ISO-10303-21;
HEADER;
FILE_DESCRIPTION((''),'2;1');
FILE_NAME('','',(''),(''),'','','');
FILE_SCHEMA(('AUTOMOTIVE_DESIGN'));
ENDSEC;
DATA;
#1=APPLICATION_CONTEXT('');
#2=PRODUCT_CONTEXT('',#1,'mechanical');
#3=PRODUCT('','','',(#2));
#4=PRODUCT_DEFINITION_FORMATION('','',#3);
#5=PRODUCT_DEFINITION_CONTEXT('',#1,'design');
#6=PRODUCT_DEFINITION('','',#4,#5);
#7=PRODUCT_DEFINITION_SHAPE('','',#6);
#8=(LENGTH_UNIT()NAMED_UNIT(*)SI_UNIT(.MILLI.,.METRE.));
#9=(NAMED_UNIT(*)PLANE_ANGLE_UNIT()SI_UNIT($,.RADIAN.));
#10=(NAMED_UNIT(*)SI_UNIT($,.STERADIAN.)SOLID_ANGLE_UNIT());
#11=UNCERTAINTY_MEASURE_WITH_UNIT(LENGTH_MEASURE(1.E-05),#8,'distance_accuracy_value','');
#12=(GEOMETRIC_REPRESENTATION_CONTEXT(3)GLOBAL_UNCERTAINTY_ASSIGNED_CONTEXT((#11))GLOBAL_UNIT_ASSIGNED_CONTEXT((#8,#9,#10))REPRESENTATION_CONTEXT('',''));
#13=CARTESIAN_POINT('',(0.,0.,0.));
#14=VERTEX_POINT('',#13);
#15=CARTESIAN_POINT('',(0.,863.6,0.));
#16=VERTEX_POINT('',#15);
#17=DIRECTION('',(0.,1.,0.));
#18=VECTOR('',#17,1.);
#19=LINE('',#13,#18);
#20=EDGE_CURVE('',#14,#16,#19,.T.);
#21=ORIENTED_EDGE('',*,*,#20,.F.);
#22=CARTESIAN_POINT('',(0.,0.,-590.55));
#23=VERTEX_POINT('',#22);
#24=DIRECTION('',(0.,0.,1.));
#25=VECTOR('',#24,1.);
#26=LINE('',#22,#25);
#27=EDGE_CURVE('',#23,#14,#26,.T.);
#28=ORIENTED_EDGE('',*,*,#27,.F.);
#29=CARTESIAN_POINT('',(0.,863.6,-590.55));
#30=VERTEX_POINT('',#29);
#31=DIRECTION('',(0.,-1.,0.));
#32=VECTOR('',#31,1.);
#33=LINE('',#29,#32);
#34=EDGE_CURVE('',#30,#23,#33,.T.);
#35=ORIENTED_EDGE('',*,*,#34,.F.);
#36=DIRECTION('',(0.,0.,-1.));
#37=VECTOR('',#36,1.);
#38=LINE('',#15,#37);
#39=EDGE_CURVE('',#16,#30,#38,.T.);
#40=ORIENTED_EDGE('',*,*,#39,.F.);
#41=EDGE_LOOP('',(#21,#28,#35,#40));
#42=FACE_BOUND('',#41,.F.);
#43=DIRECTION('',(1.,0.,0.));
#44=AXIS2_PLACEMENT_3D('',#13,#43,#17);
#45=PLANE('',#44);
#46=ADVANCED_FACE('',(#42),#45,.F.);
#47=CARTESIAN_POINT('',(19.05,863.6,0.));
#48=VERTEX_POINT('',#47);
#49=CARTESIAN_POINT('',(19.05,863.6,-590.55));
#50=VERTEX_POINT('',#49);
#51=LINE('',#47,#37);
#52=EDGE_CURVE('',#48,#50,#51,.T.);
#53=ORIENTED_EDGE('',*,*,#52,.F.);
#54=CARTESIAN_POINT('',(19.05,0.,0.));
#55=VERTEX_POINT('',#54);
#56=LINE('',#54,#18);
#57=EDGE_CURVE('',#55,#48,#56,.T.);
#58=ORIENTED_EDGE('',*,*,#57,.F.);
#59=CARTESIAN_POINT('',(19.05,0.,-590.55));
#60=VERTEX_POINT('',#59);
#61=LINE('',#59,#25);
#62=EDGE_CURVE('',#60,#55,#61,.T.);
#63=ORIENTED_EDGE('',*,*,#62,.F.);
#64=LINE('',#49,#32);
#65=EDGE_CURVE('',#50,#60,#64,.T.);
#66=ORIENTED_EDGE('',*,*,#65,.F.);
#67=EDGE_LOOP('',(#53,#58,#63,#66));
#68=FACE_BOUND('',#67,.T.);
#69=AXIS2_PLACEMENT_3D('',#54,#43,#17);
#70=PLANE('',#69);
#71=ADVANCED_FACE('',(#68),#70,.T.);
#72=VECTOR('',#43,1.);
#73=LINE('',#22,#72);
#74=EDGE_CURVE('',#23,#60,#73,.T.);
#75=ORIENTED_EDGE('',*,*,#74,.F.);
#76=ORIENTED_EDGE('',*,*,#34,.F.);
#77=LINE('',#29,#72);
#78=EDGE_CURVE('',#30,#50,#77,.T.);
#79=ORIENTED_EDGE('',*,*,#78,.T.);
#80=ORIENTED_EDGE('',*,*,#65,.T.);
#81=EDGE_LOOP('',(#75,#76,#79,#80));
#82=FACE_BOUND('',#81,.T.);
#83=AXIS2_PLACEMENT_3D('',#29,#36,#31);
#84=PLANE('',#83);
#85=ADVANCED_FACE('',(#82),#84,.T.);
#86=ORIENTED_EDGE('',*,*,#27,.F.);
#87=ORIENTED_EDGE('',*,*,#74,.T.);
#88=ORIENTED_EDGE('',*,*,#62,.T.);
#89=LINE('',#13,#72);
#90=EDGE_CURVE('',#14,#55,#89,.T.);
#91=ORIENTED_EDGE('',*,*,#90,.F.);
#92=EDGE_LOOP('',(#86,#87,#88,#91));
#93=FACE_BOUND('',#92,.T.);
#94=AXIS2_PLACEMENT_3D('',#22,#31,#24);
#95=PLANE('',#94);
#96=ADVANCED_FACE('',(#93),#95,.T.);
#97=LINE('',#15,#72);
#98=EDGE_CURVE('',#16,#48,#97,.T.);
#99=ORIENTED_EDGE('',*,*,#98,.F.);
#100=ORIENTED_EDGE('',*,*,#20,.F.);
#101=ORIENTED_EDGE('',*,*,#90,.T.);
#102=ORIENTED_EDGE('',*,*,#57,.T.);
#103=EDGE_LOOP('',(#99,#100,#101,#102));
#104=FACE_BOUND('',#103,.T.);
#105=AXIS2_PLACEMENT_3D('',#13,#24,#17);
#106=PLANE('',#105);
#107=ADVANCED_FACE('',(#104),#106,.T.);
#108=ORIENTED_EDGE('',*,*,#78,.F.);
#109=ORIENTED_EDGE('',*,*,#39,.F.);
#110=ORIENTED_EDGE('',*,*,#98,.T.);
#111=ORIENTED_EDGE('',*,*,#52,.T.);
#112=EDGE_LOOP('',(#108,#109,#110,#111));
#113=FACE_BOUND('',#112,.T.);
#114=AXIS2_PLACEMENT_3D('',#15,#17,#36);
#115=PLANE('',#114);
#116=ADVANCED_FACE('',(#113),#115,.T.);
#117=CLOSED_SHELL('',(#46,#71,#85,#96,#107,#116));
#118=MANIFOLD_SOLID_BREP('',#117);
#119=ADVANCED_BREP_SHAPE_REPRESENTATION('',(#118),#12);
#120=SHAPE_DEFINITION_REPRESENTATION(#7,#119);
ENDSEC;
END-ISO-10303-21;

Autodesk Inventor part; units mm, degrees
ref_plane "YZ Plane" through (0, 0, 0) normal (1, 0, 0) x (0, 1, 0)
ref_plane "XZ Plane" through (0, 0, 0) normal (0, 1, 0) x (-1, 0, 0)
ref_plane "XY Plane" through (0, 0, 0) normal (0, 0, 1) x (1, 0, 0)
sketch "Sketch1" plane through (0, 0, 0) normal (1, 0, 0) x (0, 1, 0)
  line L0 (0, 0) -> (863.6, 0)
  line L1 (863.6, 0) -> (863.6, -590.55)
  line L2 (863.6, -590.55) -> (0, -590.55)
  line L3 (0, -590.55) -> (0, 0)
  dimension "d1" = 863.6
  dimension "d2" = 590.55
extrude "Extrusion1" add sketch "Sketch1" along normal blind 19.05
properties part number "Plywood--0.75_x_34_x_23.25_in"
